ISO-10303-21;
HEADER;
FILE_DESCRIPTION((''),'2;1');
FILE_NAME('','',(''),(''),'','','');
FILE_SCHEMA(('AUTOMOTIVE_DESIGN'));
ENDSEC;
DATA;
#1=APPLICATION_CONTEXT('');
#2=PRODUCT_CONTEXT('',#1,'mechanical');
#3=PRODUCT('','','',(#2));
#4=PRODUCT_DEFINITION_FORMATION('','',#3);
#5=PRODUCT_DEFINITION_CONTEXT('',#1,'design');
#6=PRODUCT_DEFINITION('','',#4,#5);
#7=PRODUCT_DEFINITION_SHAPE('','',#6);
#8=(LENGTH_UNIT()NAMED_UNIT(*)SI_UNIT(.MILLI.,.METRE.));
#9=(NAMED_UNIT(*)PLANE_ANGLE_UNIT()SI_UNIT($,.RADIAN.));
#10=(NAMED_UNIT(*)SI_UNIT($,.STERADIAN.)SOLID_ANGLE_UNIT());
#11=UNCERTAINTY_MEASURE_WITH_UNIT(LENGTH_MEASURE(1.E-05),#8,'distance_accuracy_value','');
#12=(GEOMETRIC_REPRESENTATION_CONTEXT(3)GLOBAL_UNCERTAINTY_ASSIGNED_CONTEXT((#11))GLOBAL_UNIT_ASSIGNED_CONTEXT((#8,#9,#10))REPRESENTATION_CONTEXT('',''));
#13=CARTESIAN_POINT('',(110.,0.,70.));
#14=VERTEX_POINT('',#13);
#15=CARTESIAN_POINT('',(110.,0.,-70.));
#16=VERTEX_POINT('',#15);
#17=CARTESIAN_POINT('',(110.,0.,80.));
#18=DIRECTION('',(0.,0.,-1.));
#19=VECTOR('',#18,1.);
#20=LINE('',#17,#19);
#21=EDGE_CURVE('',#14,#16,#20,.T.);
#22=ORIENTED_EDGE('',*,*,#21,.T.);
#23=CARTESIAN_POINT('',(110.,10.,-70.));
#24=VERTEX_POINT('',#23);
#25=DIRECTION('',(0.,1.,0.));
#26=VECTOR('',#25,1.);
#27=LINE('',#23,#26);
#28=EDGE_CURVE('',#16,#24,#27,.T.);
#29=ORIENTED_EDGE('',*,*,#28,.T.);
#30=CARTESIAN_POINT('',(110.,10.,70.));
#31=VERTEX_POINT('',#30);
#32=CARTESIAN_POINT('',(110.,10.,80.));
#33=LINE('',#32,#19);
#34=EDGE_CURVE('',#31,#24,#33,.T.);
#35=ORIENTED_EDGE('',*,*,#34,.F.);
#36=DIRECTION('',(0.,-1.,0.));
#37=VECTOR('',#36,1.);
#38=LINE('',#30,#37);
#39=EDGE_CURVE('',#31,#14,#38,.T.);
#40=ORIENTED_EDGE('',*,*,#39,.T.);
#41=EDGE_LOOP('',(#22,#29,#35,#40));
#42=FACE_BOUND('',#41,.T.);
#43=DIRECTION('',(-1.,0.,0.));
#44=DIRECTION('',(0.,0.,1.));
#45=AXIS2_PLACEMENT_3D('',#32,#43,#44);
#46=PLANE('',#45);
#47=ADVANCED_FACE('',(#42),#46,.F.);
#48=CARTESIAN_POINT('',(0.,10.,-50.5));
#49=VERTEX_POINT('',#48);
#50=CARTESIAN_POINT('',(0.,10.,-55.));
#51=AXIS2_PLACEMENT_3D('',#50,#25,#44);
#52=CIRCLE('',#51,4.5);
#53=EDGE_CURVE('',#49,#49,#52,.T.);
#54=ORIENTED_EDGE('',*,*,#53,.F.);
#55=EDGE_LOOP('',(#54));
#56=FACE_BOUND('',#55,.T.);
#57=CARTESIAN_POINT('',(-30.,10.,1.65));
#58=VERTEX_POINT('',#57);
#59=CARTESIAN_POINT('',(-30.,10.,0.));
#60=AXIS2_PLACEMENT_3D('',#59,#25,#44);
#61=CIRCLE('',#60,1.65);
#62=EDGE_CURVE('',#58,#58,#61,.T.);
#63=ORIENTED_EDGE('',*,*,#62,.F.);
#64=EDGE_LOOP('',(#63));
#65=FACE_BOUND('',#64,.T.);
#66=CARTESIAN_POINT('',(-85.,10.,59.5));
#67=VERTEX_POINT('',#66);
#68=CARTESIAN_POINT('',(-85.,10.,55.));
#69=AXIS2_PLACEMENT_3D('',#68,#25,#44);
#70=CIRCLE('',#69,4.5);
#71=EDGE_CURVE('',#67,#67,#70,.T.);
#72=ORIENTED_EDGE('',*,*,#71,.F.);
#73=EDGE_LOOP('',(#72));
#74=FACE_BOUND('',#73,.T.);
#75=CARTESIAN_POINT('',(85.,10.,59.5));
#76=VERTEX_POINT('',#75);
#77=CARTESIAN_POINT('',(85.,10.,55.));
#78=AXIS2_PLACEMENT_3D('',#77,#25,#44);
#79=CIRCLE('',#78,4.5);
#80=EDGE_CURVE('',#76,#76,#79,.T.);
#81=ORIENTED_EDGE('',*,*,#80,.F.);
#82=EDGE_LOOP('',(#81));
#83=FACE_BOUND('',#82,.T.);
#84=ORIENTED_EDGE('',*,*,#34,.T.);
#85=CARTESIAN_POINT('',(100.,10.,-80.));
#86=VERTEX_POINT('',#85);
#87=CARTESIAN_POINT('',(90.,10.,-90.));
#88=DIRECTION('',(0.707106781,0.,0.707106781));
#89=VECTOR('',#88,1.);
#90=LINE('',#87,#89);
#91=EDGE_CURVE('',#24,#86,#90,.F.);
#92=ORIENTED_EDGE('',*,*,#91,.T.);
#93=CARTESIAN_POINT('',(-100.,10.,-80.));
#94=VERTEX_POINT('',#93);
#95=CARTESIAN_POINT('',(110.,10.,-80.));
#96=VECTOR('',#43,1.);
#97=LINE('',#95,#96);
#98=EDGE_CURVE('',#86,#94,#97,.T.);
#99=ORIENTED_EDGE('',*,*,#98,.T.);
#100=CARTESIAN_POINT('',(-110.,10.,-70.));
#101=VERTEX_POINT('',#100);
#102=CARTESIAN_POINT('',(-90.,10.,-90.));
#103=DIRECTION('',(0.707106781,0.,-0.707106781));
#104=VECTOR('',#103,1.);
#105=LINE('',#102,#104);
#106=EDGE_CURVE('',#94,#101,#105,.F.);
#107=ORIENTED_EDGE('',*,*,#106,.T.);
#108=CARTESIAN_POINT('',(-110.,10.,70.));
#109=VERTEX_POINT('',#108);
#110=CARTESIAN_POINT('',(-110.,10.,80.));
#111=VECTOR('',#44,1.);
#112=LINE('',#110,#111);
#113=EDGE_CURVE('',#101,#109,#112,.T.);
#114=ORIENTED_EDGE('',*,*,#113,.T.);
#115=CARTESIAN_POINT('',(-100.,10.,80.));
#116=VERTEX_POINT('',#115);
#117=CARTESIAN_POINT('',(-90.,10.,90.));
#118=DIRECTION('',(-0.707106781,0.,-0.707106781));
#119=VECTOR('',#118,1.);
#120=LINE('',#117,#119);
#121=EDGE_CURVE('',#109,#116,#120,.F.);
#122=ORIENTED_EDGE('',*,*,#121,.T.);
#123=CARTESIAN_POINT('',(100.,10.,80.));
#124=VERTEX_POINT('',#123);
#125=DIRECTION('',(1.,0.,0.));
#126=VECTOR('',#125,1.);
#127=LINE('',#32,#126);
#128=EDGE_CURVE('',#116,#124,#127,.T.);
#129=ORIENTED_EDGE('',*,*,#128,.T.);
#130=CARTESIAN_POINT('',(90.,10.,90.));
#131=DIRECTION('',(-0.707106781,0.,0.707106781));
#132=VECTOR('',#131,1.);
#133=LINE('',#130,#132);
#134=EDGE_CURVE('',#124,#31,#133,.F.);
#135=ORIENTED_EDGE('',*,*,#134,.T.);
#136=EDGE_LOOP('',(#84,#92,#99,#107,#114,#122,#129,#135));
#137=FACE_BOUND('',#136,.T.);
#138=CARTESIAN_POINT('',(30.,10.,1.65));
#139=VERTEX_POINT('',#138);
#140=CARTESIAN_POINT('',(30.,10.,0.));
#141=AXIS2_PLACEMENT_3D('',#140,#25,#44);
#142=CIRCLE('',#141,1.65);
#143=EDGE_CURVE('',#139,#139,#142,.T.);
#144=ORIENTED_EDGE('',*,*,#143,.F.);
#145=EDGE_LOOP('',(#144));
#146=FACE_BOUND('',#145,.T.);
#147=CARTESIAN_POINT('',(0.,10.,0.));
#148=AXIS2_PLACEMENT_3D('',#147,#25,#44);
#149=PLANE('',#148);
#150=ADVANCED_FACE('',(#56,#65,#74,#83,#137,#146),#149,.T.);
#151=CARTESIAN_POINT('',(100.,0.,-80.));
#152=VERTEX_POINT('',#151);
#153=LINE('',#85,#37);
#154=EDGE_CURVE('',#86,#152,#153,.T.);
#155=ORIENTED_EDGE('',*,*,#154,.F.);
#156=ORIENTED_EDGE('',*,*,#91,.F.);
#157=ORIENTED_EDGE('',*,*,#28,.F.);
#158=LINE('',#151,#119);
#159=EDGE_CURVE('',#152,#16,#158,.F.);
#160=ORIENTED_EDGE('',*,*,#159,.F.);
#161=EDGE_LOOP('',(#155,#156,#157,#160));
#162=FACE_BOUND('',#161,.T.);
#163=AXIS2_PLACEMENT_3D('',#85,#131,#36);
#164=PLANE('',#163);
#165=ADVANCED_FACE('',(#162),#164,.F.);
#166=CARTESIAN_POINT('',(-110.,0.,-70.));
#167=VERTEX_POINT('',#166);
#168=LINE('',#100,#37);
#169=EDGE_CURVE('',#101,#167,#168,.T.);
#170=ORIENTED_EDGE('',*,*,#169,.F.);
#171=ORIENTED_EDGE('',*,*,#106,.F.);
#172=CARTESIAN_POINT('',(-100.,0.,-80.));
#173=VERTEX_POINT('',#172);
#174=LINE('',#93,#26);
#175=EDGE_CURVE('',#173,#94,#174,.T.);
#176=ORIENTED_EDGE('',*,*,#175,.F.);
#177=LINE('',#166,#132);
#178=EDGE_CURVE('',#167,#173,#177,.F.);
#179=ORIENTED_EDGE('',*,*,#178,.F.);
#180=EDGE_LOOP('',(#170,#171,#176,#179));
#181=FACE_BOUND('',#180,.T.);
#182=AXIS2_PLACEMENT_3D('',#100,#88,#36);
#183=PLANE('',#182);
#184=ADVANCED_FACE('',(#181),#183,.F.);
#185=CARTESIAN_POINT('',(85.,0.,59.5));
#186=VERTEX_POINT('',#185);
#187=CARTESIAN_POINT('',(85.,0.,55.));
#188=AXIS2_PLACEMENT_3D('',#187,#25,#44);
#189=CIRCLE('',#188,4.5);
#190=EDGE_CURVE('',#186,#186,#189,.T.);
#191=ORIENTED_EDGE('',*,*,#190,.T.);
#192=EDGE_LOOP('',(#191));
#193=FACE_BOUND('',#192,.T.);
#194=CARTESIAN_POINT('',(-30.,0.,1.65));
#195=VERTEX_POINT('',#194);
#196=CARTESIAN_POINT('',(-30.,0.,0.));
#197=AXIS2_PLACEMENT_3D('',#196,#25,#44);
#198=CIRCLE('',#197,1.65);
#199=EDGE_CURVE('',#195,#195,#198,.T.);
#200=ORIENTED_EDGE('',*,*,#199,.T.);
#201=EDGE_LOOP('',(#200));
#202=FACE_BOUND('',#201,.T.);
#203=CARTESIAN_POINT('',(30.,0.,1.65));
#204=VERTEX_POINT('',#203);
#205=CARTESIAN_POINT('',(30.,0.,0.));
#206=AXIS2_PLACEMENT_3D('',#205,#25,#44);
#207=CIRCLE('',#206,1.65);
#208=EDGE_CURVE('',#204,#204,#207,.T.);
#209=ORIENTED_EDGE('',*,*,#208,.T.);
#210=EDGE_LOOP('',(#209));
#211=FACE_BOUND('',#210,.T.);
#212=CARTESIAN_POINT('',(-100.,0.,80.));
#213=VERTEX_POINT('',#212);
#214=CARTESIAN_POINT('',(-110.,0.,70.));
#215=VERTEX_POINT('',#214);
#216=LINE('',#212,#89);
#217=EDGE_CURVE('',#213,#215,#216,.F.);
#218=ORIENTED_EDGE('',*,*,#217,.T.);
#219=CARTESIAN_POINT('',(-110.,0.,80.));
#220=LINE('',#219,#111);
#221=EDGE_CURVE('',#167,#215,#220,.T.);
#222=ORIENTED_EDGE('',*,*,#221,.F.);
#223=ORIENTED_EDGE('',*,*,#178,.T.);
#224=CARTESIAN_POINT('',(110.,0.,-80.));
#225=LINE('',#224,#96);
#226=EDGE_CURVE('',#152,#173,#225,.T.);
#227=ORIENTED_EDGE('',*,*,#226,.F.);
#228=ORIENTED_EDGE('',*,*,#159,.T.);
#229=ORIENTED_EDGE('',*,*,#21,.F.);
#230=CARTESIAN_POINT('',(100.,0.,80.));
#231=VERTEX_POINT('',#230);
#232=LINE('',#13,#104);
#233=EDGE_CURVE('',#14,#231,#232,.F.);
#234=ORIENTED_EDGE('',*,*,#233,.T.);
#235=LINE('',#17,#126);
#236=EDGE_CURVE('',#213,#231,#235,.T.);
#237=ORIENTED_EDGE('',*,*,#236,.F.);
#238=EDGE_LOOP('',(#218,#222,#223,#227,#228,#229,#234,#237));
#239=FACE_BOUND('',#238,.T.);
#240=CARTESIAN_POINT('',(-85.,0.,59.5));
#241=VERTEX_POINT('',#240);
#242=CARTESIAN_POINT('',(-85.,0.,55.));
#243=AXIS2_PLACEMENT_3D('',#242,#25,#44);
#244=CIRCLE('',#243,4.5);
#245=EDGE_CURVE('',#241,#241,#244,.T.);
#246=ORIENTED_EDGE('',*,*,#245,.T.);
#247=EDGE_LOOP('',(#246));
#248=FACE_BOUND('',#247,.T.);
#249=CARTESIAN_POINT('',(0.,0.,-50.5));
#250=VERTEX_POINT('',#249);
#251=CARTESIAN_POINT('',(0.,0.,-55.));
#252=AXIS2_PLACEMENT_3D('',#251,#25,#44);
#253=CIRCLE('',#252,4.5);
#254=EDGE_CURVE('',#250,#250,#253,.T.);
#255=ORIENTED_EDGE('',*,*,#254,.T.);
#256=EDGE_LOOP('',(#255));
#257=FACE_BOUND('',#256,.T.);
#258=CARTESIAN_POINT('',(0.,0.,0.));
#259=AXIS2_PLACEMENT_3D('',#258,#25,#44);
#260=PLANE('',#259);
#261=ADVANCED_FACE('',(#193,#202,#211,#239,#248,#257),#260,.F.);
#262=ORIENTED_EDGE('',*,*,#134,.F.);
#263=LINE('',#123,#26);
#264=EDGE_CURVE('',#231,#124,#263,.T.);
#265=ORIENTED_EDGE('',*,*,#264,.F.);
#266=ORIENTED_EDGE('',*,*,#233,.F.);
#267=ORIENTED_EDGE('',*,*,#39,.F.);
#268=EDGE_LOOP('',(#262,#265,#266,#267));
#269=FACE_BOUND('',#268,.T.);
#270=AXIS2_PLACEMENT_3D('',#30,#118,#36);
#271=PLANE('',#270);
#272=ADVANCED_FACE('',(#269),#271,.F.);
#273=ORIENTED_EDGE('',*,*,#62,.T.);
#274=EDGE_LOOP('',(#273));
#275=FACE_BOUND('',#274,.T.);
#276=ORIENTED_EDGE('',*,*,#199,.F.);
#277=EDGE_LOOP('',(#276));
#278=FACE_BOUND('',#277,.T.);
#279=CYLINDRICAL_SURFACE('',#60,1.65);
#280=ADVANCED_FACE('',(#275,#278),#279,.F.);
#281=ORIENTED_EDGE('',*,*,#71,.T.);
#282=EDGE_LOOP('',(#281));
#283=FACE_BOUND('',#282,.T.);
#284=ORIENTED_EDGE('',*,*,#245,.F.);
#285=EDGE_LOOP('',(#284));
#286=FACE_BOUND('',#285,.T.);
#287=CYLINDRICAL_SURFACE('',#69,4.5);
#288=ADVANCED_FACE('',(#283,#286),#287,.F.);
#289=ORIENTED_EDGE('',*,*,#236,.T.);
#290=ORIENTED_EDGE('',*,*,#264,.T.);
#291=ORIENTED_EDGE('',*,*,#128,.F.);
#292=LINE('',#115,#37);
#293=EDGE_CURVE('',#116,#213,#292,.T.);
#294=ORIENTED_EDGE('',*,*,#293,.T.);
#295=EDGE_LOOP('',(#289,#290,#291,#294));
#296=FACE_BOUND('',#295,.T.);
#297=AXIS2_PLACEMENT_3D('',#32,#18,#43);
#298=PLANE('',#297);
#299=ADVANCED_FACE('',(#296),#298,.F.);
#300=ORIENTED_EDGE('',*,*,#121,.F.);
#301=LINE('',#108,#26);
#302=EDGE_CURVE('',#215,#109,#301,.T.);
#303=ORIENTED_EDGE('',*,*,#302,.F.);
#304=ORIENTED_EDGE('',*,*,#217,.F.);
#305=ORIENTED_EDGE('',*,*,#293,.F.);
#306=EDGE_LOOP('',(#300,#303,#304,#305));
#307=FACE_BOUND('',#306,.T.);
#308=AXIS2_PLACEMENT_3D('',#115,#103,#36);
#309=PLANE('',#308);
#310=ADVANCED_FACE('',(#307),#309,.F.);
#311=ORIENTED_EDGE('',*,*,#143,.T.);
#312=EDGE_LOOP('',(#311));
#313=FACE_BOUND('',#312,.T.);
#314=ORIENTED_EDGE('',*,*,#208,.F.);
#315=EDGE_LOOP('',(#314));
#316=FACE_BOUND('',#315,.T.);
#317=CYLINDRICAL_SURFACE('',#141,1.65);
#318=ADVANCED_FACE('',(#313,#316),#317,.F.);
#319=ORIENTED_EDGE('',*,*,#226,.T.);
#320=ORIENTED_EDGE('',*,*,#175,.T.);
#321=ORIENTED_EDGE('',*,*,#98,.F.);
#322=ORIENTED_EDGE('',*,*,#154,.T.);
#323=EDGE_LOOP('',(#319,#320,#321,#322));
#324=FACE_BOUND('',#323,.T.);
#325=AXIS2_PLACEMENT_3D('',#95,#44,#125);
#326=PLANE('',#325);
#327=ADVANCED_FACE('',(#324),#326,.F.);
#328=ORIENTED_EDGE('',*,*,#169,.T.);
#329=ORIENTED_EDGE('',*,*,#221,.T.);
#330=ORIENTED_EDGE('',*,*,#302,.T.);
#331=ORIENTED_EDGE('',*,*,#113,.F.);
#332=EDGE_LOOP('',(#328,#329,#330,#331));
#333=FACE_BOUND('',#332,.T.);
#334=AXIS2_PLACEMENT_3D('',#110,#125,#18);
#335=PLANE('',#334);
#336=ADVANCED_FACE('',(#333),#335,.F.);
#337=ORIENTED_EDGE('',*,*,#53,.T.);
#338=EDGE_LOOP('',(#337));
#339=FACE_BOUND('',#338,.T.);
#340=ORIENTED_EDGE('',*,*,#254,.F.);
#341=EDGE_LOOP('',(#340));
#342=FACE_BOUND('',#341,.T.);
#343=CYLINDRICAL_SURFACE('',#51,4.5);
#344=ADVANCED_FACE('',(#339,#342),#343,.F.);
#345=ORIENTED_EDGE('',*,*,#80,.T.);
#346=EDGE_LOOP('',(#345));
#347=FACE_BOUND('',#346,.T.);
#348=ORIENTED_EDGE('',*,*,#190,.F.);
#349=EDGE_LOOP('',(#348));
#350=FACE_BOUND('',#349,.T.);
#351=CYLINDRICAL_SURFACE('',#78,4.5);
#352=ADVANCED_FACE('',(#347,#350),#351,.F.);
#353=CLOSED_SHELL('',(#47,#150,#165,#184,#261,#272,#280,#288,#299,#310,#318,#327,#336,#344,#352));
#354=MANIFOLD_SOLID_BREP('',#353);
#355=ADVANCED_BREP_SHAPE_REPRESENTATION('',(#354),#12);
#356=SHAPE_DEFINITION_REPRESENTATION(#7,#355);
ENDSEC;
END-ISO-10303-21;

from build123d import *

# Parameters (mm, degrees)
SKETCH1_W              = 220
SKETCH1_H              = 160
BOSS_EXTRUDE1_DEPTH    = 10
CHAMFER1_SIZE          = 10
M10X1_0_TAPPED_HOLE1_D = 9
M4X0_7_TAPPED_HOLE1_D  = 3.3


with BuildPart() as part:
    # Sketch1 → Boss-Extrude1 (new body)
    with BuildSketch(Plane(origin=(0, 0, 0), x_dir=(1, 0, 0), z_dir=(0, 1, 0))):
        Rectangle(SKETCH1_W, SKETCH1_H)
    extrude(amount=BOSS_EXTRUDE1_DEPTH)

    # Chamfer1
    chamfer1_edges = [part.edges().sort_by_distance(p)[0] for p in [
        (-110, 5, -80),
        (110, 5, -80),
        (110, 5, 80),
        (-110, 5, 80),
    ]]
    chamfer(chamfer1_edges, length=CHAMFER1_SIZE)

    # M10x1.0 Tapped Hole1 (through all)
    with Locations(Plane(origin=(0, 10, -55), x_dir=(0, 0, 1), z_dir=(0, 1, 0))):
        with Locations((0, 0), (110, -85), (110, 85)):
            Hole(M10X1_0_TAPPED_HOLE1_D / 2)

    # M4x0.7 Tapped Hole1 (through all)
    with Locations(Plane(origin=(30, 10, 0), x_dir=(0, 0, 1), z_dir=(0, 1, 0))):
        with Locations((0, 0)):
            m4x0_7_tapped_hole1 = Hole(M4X0_7_TAPPED_HOLE1_D / 2)

    # Mirror1: M4x0.7 Tapped Hole1 across plane
    add(m4x0_7_tapped_hole1.mirror(Plane(origin=(0, 0, 0), x_dir=(0, 0, 1), z_dir=(1, 0, 0))), mode=Mode.SUBTRACT)


solid = part.part
